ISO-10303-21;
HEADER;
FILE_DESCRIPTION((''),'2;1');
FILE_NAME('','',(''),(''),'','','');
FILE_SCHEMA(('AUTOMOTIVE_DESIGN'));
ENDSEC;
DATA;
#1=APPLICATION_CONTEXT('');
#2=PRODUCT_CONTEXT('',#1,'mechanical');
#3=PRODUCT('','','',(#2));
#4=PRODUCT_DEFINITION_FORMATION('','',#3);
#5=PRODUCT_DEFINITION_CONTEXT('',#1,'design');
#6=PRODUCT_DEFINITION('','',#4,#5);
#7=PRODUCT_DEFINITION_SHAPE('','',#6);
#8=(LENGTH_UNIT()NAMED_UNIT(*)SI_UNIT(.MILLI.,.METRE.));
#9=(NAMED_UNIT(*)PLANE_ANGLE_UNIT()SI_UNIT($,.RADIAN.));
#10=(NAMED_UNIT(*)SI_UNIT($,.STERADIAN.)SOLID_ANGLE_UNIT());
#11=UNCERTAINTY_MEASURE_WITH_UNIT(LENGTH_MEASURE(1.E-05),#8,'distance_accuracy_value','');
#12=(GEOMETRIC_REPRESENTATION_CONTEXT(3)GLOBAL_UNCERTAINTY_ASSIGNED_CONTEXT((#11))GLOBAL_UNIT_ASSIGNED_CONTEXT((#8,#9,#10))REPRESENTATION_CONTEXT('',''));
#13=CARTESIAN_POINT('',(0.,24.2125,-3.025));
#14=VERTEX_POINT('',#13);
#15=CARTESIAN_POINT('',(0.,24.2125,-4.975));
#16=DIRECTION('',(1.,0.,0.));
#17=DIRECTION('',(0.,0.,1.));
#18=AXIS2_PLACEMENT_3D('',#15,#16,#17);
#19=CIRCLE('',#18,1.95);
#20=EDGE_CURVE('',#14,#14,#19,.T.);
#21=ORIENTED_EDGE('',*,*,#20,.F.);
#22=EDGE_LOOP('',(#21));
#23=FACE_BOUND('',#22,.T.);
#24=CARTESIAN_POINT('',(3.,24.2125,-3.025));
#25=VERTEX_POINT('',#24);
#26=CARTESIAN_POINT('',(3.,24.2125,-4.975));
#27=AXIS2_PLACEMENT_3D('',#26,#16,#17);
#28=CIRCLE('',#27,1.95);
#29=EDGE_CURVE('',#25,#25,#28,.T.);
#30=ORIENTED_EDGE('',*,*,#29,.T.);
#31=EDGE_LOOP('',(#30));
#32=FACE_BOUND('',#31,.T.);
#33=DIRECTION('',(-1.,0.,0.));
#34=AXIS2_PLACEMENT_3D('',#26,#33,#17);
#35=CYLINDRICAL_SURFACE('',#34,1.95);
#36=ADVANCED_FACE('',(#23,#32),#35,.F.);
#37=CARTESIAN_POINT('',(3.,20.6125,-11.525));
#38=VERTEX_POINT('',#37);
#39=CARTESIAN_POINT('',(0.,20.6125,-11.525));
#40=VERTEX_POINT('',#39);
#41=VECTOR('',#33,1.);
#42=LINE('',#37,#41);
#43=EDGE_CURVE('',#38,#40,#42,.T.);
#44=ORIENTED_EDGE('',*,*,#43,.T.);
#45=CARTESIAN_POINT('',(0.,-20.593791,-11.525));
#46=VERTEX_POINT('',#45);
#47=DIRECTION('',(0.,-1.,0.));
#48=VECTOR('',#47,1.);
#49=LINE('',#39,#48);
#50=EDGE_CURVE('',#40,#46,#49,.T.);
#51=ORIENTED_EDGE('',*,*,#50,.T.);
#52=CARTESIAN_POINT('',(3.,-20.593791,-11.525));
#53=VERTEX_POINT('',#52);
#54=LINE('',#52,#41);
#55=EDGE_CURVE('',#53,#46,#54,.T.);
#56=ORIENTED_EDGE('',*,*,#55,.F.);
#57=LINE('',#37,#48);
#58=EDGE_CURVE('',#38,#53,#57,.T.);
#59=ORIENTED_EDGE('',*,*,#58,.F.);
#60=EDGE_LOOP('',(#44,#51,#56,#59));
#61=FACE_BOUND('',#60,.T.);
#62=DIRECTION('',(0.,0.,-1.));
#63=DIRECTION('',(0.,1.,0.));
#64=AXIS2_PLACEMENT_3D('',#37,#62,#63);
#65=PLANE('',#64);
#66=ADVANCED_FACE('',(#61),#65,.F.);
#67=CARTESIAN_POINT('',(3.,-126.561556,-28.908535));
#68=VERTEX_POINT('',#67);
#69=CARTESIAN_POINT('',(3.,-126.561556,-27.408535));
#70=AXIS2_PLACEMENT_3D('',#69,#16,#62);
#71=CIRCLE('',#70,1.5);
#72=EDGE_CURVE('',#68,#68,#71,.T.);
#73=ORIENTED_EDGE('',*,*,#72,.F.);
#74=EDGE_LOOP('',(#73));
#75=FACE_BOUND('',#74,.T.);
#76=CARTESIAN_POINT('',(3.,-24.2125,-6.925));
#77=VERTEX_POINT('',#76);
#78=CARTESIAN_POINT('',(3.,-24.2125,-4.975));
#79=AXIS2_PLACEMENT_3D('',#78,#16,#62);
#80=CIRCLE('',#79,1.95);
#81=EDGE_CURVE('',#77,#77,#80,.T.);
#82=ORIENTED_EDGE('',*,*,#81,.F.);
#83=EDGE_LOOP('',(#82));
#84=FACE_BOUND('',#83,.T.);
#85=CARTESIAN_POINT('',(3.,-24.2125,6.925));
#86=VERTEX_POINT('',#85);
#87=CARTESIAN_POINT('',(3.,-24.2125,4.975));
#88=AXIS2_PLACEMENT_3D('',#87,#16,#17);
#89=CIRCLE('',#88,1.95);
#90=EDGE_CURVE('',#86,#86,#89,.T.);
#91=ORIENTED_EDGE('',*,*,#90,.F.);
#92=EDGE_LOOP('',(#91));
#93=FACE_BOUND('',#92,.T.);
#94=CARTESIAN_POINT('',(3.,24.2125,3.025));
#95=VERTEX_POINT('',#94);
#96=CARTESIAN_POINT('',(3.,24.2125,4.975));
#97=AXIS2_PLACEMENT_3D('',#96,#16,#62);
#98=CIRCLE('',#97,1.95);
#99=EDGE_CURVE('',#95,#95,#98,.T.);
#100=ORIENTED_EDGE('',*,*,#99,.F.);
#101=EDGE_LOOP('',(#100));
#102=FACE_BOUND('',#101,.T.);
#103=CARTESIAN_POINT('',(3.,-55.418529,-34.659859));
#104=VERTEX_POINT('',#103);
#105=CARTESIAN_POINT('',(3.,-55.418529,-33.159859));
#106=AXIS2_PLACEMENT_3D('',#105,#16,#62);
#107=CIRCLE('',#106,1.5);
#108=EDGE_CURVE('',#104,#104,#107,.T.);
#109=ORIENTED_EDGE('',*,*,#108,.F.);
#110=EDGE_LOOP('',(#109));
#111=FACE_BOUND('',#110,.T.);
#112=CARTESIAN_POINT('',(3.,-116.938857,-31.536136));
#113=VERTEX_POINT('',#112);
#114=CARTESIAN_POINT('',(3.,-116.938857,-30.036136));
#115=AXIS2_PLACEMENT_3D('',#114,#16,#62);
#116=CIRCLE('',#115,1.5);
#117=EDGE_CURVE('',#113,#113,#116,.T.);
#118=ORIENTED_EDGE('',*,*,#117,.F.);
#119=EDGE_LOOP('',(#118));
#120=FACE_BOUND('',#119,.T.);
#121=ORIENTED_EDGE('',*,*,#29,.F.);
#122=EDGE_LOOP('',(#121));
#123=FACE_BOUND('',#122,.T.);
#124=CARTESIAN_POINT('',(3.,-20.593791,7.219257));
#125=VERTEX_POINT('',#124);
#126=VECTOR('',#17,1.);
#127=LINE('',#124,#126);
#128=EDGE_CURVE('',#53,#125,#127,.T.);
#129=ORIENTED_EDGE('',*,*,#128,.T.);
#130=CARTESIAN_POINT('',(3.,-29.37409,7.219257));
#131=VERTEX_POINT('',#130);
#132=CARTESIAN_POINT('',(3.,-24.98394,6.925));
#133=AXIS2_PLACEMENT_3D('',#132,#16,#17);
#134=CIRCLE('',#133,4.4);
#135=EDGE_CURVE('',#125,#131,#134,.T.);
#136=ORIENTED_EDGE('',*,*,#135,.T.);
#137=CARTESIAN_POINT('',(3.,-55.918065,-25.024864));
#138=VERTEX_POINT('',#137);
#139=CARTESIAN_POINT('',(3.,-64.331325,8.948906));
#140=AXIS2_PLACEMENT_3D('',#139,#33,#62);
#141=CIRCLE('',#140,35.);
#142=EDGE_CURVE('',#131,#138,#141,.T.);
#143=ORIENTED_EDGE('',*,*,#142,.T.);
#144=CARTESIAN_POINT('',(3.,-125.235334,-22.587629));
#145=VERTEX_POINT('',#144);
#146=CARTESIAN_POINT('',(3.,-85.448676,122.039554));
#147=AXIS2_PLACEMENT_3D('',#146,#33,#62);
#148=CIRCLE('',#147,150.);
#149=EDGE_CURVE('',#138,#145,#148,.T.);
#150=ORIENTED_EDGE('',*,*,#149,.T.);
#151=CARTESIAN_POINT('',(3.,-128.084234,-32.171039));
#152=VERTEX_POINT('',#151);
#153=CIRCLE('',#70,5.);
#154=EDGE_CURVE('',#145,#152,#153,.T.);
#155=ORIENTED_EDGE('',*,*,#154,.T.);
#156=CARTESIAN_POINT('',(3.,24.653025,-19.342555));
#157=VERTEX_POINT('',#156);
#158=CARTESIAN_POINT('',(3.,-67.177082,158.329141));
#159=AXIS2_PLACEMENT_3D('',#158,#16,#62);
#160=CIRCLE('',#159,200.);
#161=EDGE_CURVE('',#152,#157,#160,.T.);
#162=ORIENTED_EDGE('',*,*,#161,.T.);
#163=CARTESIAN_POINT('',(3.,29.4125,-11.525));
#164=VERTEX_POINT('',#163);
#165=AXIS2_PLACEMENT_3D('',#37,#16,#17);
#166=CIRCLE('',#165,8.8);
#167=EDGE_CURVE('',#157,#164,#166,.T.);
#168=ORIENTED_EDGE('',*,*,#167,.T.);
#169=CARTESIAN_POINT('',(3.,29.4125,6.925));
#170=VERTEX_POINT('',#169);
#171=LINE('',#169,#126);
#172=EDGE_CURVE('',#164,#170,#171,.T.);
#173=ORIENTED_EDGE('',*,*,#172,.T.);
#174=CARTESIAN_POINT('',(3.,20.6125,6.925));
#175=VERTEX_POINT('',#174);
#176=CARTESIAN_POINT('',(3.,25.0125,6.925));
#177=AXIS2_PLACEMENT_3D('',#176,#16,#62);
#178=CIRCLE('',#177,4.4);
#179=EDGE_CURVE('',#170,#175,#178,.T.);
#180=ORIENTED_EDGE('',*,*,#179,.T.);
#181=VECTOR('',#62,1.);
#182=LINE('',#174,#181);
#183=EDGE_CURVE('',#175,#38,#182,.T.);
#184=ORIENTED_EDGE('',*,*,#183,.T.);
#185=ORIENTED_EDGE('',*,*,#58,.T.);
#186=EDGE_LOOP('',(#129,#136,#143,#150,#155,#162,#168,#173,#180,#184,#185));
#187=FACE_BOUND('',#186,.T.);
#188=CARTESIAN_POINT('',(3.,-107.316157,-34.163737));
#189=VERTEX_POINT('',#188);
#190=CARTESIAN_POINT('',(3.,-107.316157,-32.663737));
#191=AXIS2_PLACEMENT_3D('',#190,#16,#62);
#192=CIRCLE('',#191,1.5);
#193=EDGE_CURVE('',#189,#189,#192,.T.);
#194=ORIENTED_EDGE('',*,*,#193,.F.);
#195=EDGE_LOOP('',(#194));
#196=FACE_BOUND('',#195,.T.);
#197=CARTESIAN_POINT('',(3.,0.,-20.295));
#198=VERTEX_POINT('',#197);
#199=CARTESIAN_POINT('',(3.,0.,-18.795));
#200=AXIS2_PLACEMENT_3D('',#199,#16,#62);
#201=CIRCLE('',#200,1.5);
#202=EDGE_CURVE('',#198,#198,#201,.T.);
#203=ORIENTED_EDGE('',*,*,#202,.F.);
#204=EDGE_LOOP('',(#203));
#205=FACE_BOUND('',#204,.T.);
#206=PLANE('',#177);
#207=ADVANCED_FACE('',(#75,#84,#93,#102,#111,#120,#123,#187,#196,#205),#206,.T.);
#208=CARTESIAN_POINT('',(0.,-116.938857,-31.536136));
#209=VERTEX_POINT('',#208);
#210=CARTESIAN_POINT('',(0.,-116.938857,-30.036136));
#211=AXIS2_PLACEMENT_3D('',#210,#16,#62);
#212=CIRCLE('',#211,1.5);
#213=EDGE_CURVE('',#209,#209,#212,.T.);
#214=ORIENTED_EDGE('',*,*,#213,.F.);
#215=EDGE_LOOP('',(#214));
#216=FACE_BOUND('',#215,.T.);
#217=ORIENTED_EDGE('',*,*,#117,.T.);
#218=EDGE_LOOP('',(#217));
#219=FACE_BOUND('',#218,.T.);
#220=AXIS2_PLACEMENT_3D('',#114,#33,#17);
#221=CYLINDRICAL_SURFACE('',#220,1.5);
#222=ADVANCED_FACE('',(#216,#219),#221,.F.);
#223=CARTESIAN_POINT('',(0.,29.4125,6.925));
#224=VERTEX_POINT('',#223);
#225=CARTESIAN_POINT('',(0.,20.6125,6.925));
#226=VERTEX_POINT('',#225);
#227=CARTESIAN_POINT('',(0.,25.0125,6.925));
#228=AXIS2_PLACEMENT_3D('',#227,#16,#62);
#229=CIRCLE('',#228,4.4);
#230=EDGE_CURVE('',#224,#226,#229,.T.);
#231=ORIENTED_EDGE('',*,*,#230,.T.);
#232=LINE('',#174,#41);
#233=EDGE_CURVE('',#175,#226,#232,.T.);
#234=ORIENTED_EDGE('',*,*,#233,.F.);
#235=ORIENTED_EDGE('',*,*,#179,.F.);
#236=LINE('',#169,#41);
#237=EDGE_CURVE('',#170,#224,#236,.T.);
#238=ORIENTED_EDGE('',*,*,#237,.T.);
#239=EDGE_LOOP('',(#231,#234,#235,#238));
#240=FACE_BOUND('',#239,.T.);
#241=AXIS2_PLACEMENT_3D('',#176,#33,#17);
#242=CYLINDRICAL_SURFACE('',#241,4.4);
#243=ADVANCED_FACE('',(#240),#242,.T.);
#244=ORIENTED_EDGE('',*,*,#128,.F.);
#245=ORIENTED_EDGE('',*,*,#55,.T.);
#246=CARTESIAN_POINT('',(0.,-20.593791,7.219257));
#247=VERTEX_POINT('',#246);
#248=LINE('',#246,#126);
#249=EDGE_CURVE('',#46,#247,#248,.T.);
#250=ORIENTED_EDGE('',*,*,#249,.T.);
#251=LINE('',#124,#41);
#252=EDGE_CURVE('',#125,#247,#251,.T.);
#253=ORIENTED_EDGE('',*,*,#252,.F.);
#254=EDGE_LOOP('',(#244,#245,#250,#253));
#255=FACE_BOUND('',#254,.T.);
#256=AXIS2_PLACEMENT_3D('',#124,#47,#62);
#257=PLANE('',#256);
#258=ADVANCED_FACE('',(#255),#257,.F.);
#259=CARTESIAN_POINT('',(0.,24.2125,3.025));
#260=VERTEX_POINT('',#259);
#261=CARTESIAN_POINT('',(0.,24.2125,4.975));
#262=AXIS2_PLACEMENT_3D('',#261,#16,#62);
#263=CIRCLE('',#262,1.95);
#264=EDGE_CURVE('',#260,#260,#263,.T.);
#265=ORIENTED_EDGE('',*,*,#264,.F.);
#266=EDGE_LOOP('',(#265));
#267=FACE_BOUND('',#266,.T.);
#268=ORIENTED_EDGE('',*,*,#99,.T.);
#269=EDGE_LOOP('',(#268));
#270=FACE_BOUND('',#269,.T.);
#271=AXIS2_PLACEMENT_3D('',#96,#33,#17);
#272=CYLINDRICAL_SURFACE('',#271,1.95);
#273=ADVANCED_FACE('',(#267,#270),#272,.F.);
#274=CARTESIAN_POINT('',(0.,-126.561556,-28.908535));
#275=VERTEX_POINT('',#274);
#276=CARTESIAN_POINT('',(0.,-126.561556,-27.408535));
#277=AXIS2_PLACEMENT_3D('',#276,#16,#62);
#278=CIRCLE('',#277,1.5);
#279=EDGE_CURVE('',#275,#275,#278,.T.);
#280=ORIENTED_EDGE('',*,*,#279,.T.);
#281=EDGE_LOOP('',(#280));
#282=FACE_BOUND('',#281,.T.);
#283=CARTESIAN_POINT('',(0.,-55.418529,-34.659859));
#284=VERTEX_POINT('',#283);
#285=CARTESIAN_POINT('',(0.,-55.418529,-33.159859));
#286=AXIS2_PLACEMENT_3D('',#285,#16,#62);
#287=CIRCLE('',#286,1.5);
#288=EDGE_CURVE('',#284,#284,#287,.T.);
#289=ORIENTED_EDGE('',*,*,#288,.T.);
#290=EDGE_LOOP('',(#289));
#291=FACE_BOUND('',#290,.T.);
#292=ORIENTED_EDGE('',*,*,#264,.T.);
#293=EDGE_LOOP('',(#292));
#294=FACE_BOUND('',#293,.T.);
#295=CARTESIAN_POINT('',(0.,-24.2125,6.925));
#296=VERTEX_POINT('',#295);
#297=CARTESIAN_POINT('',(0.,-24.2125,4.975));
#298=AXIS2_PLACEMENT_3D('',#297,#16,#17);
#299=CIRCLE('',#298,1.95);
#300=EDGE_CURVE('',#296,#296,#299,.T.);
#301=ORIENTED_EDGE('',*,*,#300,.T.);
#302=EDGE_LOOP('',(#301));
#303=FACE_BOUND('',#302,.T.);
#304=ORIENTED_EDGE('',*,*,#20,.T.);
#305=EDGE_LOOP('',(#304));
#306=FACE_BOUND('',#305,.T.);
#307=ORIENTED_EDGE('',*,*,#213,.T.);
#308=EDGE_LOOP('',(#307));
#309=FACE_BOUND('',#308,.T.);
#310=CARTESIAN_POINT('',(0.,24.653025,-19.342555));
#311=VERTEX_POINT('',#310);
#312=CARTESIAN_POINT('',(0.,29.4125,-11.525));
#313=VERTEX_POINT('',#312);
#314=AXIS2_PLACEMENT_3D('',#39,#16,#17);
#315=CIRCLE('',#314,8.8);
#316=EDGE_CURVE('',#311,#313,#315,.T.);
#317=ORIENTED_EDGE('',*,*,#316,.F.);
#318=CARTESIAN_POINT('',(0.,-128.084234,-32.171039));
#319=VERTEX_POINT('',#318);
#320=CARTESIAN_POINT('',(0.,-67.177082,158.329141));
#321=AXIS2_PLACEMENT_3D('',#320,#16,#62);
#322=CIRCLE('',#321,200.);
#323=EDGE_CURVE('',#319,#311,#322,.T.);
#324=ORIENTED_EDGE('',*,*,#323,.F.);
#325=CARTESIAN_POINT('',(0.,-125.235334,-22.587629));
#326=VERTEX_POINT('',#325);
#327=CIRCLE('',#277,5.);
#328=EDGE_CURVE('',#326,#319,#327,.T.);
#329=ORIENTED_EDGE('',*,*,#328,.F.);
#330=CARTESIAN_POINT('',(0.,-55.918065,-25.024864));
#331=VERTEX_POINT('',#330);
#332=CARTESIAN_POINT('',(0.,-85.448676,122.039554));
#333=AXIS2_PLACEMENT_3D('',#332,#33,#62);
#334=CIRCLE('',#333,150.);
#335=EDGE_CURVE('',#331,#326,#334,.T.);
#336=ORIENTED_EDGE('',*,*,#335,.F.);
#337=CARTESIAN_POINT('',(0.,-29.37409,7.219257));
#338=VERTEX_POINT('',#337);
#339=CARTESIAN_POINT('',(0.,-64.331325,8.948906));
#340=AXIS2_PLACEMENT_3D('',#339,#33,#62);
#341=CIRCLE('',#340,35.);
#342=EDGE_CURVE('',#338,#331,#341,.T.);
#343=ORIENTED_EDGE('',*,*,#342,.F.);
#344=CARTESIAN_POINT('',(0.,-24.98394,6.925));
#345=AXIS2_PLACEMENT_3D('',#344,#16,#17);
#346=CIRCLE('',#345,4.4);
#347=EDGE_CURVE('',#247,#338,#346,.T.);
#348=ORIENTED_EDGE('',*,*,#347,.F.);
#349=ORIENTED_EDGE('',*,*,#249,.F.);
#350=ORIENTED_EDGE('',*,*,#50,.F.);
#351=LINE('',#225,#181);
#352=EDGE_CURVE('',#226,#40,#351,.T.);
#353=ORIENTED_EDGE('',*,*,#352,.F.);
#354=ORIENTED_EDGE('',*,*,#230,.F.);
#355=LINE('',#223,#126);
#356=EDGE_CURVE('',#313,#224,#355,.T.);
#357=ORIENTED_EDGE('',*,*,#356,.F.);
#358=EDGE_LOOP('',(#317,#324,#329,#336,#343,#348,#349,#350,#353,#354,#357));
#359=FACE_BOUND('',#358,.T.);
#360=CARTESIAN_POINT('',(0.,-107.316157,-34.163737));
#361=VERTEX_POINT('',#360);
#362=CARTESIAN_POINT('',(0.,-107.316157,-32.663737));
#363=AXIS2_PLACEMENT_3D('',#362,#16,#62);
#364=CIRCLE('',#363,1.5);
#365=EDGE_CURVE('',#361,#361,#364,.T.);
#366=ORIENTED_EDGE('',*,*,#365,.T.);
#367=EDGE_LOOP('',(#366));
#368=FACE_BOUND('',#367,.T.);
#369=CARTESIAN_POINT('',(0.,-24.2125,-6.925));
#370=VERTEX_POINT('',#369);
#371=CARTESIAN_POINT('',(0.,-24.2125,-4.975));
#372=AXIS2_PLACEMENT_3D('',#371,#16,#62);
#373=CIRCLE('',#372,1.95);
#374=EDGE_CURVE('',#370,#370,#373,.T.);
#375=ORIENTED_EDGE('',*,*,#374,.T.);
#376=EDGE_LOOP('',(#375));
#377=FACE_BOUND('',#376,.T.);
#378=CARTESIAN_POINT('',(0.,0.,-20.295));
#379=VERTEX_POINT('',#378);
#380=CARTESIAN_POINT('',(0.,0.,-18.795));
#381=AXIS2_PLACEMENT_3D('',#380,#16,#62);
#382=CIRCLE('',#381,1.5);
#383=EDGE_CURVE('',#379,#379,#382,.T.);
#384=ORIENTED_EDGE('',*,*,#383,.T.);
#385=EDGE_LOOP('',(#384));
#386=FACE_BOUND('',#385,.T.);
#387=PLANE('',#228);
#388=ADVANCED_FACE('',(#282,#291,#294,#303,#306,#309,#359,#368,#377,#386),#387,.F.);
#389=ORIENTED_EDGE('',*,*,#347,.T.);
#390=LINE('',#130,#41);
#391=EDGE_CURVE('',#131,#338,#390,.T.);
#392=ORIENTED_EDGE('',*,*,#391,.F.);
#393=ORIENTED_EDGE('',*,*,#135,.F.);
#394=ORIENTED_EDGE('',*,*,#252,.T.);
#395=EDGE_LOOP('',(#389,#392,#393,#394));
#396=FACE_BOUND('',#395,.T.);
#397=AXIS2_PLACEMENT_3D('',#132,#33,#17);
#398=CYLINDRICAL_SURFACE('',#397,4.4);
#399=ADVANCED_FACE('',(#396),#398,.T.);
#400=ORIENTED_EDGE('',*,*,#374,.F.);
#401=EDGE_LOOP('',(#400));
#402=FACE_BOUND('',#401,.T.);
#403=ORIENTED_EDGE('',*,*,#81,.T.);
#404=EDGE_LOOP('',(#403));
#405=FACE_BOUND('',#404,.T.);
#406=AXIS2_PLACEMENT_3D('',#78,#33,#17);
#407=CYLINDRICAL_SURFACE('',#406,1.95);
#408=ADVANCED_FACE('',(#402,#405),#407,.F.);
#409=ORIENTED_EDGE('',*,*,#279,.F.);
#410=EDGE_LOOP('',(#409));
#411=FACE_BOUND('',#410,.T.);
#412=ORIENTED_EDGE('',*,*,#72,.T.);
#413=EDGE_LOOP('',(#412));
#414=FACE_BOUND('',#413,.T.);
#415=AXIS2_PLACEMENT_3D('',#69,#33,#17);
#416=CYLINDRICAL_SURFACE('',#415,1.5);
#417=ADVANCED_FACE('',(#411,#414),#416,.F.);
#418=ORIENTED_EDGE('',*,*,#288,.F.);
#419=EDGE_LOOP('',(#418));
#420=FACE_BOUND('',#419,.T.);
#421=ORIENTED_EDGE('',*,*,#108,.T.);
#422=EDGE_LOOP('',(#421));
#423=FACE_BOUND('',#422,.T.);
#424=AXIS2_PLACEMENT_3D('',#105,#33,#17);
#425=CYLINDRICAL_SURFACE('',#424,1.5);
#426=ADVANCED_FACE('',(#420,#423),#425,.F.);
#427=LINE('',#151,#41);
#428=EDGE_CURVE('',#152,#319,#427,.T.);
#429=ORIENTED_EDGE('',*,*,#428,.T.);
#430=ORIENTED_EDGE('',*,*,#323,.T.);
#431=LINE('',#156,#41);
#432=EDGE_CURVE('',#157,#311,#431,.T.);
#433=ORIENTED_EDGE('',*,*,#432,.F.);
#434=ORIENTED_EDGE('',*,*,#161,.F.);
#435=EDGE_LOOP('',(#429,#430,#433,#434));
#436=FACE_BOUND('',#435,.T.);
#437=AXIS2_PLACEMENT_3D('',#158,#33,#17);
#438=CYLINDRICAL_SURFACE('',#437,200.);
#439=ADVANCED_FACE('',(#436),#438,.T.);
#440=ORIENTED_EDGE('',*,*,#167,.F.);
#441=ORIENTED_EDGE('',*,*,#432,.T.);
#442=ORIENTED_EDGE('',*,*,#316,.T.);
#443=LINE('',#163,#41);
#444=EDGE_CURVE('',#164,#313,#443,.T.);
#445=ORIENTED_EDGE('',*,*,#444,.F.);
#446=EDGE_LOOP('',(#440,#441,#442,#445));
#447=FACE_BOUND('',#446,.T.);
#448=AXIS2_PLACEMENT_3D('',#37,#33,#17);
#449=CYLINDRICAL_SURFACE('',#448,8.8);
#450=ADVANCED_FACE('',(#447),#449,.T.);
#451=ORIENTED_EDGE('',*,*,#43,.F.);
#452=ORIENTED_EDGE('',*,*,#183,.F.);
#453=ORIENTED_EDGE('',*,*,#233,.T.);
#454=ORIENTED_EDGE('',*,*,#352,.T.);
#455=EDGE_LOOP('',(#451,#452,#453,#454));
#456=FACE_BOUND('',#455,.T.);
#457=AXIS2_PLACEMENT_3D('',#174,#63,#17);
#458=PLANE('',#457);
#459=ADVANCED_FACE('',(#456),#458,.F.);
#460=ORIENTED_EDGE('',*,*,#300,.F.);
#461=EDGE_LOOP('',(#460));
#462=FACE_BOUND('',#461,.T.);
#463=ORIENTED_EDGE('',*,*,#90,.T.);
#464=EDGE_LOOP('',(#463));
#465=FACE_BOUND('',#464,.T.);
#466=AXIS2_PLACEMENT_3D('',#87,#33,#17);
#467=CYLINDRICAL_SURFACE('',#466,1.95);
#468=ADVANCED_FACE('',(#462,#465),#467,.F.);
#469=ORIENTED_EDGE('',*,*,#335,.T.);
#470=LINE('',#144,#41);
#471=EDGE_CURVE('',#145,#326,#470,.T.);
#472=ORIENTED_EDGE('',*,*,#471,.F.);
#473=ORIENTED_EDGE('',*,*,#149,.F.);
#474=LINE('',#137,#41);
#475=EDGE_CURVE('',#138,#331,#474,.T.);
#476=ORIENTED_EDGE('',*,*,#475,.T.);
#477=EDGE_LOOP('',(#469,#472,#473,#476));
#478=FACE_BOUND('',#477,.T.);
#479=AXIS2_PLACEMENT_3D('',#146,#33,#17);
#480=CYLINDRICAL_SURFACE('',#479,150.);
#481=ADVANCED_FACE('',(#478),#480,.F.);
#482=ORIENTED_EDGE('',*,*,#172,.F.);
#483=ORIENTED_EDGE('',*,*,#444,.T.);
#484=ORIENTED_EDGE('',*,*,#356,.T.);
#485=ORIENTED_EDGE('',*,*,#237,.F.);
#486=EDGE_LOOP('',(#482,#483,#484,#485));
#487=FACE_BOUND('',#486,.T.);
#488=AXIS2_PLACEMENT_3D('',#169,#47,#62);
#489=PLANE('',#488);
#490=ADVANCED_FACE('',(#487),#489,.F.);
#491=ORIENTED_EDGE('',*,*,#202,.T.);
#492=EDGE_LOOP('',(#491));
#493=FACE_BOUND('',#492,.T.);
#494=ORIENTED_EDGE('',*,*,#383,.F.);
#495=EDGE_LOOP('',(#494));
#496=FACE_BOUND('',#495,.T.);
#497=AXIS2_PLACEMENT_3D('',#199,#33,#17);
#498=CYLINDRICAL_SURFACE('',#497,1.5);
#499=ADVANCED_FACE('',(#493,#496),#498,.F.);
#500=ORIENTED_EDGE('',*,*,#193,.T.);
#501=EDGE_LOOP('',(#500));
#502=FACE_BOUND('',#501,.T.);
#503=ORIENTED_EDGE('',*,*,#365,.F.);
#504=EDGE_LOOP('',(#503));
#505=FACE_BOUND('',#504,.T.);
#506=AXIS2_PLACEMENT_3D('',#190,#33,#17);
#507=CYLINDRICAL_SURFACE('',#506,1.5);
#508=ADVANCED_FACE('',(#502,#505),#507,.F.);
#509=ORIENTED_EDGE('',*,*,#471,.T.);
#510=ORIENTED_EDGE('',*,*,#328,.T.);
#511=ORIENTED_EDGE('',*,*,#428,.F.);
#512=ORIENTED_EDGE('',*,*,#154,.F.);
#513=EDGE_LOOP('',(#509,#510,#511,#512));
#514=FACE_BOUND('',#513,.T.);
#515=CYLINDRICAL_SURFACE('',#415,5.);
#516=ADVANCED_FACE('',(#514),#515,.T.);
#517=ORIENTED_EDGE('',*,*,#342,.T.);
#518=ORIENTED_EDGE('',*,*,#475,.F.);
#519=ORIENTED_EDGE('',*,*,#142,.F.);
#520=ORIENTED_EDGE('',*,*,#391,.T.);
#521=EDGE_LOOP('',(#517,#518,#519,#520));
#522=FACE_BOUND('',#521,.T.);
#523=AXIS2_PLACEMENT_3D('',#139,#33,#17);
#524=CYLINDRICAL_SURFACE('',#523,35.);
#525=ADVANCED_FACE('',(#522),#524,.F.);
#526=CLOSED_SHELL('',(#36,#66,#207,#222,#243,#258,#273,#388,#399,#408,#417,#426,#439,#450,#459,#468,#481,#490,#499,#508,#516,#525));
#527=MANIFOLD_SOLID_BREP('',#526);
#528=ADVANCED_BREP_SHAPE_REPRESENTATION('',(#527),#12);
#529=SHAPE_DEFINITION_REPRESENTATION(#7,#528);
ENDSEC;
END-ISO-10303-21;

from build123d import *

# Parameters (mm, degrees)
SKETCH1_R           = 1.95
SKETCH1_R_2         = 1.5
BOSS_EXTRUDE1_DEPTH = 3


with BuildPart() as part:
    # Sketch1 → Boss-Extrude1 (new body)
    with BuildSketch(Plane(origin=(0, 0, 0), x_dir=(0, 0, -1), z_dir=(1, 0, 0))):
        with BuildLine():
            Line((-6.925, 29.4125), (11.525, 29.4125))
            ThreePointArc((11.525, 29.4125), (16.101209281, 28.129035679), (19.342554621, 24.653024687))
            ThreePointArc((19.342554621, 24.653024687), (40.969128184, -50.437912981), (32.171039161, -128.084234422))
            ThreePointArc((32.171039161, -128.084234422), (25.983785002, -131.35426762), (22.587628574, -125.235333672))
            ThreePointArc((22.587628574, -125.235333672), (27.867812209, -90.719506549), (25.024864397, -55.91806536))
            ThreePointArc((25.024864397, -55.91806536), (13.295850828, -37.309652467), (-7.219256672, -29.374089856))
            ThreePointArc((-7.219256672, -29.374089856), (-11.325, -24.983940313), (-7.219256672, -20.59379077))
            Line((-7.219256672, -20.59379077), (11.525, -20.59379077))
            Line((11.525, -20.59379077), (11.525, 20.6125))
            Line((11.525, 20.6125), (-6.925, 20.6125))
            ThreePointArc((-6.925, 20.6125), (-11.325, 25.0125), (-6.925, 29.4125))
        make_face()
        with Locations((-4.975, 24.2125)):
            Circle(SKETCH1_R, mode=Mode.SUBTRACT)
        with Locations(Location((4.975, 24.2125, 0), (0, 0, 180))):
            Circle(SKETCH1_R, mode=Mode.SUBTRACT)
        with Locations((4.975, -24.2125)):
            Circle(SKETCH1_R, mode=Mode.SUBTRACT)
        with Locations(Location((-4.975, -24.2125, 0), (0, 0, 180))):
            Circle(SKETCH1_R, mode=Mode.SUBTRACT)
        with Locations((18.795, 0)):
            Circle(SKETCH1_R_2, mode=Mode.SUBTRACT)
        with Locations((33.159858862, -55.41852876)):
            Circle(SKETCH1_R_2, mode=Mode.SUBTRACT)
        with Locations((32.663736784, -107.316157442)):
            Circle(SKETCH1_R_2, mode=Mode.SUBTRACT)
        with Locations((30.036135717, -116.938856525)):
            Circle(SKETCH1_R_2, mode=Mode.SUBTRACT)
        with Locations((27.408534649, -126.561555607)):
            Circle(SKETCH1_R_2, mode=Mode.SUBTRACT)
    extrude(amount=BOSS_EXTRUDE1_DEPTH)


solid = part.part
